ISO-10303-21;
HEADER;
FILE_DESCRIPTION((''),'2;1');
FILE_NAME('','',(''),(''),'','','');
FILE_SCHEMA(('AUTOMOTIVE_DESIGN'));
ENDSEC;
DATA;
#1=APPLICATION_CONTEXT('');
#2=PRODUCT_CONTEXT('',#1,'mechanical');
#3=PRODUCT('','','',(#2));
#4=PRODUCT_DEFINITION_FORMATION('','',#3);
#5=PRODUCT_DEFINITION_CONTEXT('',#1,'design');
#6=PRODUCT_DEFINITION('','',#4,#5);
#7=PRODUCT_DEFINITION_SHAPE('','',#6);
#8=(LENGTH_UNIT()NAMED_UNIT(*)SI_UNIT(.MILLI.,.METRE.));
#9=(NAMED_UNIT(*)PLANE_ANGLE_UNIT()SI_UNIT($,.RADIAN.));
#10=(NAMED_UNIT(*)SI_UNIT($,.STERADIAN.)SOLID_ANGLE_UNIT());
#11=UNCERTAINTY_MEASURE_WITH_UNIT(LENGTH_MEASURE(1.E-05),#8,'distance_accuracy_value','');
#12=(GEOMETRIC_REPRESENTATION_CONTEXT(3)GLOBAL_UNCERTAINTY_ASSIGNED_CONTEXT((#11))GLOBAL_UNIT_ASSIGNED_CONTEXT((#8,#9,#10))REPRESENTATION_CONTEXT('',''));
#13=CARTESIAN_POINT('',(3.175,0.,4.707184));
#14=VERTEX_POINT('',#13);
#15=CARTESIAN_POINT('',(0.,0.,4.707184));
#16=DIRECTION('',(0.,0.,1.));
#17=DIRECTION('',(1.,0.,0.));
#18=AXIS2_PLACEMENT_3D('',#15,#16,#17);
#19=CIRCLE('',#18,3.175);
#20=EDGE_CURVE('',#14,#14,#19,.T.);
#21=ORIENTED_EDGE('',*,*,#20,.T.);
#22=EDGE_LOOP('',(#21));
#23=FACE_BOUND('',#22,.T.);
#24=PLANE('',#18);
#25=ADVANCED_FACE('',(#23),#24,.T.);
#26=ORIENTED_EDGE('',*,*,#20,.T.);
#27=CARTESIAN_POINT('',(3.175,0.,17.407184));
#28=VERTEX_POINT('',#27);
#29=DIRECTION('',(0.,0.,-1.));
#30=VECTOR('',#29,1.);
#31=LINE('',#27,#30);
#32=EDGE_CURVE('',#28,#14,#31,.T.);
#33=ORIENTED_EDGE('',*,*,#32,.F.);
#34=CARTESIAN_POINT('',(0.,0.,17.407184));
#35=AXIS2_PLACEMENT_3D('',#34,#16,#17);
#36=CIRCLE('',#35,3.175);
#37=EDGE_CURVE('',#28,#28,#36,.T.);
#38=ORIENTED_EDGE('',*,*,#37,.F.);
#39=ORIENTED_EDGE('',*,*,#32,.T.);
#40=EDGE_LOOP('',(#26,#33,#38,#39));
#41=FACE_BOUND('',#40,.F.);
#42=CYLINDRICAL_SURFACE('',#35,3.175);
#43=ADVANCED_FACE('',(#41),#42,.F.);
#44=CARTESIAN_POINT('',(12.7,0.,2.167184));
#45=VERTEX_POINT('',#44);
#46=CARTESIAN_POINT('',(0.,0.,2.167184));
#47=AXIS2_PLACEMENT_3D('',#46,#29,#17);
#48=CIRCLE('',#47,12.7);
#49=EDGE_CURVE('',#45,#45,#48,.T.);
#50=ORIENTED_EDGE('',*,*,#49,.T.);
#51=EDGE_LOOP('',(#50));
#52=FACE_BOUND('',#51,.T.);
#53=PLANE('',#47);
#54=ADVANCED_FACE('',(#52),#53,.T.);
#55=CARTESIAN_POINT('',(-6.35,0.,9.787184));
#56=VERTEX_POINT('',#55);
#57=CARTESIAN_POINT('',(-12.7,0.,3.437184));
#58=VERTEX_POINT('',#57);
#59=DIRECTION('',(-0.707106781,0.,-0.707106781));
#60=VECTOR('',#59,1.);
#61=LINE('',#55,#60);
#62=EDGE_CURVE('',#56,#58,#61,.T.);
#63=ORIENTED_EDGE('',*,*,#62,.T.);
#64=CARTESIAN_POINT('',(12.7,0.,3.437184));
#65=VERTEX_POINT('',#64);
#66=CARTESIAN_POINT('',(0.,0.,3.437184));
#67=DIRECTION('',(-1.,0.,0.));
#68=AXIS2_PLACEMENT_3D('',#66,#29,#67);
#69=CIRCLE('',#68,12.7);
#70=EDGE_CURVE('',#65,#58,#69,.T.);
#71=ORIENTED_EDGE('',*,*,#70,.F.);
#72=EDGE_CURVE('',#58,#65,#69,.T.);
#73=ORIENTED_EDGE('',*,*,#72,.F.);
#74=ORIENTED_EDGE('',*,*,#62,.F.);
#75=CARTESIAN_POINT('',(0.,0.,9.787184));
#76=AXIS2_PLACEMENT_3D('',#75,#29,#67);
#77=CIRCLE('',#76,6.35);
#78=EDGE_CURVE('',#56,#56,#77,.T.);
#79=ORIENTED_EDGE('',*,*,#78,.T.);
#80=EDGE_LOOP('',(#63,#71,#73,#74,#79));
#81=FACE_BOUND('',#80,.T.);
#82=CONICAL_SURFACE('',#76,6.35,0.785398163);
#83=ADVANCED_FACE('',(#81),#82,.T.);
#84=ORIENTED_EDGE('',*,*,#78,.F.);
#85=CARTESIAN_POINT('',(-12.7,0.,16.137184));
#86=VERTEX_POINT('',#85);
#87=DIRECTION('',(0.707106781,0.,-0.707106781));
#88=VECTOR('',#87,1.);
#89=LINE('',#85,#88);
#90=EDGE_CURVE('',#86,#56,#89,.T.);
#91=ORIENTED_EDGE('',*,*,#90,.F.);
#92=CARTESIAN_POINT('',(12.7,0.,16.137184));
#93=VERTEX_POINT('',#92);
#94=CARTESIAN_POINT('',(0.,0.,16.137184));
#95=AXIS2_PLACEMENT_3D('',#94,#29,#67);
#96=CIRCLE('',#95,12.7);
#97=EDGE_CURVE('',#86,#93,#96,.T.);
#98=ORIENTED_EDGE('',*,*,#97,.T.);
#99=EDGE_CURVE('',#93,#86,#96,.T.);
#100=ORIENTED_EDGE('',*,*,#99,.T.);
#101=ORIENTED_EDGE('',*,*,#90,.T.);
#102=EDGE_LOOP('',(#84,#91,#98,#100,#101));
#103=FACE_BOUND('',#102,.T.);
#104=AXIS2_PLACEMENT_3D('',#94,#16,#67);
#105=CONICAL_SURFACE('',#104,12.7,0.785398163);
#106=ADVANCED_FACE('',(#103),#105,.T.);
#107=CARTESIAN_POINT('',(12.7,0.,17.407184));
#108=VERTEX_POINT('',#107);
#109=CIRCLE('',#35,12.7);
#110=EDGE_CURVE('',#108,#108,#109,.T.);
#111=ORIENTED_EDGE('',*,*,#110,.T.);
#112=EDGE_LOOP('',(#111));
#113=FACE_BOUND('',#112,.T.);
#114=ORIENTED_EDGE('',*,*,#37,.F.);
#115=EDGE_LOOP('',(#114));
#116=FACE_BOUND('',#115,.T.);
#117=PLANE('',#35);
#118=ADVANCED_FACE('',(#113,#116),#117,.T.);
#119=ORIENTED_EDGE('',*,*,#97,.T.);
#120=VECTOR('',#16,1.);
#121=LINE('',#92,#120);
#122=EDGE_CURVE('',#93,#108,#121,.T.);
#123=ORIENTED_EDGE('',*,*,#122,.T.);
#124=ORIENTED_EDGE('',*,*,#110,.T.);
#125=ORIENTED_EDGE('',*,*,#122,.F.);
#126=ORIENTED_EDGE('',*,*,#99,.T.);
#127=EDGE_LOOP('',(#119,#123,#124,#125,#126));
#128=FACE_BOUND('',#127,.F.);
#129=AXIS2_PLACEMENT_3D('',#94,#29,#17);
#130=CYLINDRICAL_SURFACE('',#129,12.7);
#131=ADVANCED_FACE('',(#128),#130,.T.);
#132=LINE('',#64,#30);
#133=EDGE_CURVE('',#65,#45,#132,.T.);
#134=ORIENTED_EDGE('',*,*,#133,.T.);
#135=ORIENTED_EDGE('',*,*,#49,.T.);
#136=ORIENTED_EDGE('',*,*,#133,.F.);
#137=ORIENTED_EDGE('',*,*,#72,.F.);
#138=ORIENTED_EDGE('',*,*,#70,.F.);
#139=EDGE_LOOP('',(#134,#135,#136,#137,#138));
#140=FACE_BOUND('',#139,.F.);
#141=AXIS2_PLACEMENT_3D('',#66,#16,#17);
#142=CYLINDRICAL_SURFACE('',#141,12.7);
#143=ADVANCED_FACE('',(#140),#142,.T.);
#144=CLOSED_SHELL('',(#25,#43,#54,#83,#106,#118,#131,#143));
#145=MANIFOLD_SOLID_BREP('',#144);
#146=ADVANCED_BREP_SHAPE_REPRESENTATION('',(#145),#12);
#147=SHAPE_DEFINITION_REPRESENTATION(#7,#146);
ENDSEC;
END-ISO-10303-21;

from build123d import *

# Parameters (mm, degrees)
F2_R     = 12.7
F3_DEPTH = 1.27
F4_R     = 12.7
F5_DEPTH = 1.27
F7_R     = 3.175
F8_DEPTH = 12.7


with BuildPart() as f1:
    # F0 (on Front) → F1 (revolve)
    with BuildSketch(Plane.XZ):
        Polygon((0, 3.437184), (0, 16.137184), (-12.7, 16.137184), (-6.35, 9.787184), (-12.7, 3.437184), (-6.35, 3.437184), align=None)
    revolve(axis=Axis((0, 0, 9.787184), (0, 0, -1)))

    # F2 (on face) → F3 (join)
    with BuildSketch(Plane.XY.offset(16.137184)):
        Circle(F2_R)
    extrude(amount=F3_DEPTH)

    # F4 (on face) → F5 (join)
    with BuildSketch(Plane(origin=(0, 0, 3.437184), x_dir=(1, 0, 0), z_dir=(0, 0, -1))):
        Circle(F4_R)
    extrude(amount=F5_DEPTH)

    # F7 (on face) → F8 (cut)
    with BuildSketch(Plane.XY.offset(17.407184)):
        Circle(F7_R)
    extrude(amount=-F8_DEPTH, mode=Mode.SUBTRACT)


solid = f1.part
